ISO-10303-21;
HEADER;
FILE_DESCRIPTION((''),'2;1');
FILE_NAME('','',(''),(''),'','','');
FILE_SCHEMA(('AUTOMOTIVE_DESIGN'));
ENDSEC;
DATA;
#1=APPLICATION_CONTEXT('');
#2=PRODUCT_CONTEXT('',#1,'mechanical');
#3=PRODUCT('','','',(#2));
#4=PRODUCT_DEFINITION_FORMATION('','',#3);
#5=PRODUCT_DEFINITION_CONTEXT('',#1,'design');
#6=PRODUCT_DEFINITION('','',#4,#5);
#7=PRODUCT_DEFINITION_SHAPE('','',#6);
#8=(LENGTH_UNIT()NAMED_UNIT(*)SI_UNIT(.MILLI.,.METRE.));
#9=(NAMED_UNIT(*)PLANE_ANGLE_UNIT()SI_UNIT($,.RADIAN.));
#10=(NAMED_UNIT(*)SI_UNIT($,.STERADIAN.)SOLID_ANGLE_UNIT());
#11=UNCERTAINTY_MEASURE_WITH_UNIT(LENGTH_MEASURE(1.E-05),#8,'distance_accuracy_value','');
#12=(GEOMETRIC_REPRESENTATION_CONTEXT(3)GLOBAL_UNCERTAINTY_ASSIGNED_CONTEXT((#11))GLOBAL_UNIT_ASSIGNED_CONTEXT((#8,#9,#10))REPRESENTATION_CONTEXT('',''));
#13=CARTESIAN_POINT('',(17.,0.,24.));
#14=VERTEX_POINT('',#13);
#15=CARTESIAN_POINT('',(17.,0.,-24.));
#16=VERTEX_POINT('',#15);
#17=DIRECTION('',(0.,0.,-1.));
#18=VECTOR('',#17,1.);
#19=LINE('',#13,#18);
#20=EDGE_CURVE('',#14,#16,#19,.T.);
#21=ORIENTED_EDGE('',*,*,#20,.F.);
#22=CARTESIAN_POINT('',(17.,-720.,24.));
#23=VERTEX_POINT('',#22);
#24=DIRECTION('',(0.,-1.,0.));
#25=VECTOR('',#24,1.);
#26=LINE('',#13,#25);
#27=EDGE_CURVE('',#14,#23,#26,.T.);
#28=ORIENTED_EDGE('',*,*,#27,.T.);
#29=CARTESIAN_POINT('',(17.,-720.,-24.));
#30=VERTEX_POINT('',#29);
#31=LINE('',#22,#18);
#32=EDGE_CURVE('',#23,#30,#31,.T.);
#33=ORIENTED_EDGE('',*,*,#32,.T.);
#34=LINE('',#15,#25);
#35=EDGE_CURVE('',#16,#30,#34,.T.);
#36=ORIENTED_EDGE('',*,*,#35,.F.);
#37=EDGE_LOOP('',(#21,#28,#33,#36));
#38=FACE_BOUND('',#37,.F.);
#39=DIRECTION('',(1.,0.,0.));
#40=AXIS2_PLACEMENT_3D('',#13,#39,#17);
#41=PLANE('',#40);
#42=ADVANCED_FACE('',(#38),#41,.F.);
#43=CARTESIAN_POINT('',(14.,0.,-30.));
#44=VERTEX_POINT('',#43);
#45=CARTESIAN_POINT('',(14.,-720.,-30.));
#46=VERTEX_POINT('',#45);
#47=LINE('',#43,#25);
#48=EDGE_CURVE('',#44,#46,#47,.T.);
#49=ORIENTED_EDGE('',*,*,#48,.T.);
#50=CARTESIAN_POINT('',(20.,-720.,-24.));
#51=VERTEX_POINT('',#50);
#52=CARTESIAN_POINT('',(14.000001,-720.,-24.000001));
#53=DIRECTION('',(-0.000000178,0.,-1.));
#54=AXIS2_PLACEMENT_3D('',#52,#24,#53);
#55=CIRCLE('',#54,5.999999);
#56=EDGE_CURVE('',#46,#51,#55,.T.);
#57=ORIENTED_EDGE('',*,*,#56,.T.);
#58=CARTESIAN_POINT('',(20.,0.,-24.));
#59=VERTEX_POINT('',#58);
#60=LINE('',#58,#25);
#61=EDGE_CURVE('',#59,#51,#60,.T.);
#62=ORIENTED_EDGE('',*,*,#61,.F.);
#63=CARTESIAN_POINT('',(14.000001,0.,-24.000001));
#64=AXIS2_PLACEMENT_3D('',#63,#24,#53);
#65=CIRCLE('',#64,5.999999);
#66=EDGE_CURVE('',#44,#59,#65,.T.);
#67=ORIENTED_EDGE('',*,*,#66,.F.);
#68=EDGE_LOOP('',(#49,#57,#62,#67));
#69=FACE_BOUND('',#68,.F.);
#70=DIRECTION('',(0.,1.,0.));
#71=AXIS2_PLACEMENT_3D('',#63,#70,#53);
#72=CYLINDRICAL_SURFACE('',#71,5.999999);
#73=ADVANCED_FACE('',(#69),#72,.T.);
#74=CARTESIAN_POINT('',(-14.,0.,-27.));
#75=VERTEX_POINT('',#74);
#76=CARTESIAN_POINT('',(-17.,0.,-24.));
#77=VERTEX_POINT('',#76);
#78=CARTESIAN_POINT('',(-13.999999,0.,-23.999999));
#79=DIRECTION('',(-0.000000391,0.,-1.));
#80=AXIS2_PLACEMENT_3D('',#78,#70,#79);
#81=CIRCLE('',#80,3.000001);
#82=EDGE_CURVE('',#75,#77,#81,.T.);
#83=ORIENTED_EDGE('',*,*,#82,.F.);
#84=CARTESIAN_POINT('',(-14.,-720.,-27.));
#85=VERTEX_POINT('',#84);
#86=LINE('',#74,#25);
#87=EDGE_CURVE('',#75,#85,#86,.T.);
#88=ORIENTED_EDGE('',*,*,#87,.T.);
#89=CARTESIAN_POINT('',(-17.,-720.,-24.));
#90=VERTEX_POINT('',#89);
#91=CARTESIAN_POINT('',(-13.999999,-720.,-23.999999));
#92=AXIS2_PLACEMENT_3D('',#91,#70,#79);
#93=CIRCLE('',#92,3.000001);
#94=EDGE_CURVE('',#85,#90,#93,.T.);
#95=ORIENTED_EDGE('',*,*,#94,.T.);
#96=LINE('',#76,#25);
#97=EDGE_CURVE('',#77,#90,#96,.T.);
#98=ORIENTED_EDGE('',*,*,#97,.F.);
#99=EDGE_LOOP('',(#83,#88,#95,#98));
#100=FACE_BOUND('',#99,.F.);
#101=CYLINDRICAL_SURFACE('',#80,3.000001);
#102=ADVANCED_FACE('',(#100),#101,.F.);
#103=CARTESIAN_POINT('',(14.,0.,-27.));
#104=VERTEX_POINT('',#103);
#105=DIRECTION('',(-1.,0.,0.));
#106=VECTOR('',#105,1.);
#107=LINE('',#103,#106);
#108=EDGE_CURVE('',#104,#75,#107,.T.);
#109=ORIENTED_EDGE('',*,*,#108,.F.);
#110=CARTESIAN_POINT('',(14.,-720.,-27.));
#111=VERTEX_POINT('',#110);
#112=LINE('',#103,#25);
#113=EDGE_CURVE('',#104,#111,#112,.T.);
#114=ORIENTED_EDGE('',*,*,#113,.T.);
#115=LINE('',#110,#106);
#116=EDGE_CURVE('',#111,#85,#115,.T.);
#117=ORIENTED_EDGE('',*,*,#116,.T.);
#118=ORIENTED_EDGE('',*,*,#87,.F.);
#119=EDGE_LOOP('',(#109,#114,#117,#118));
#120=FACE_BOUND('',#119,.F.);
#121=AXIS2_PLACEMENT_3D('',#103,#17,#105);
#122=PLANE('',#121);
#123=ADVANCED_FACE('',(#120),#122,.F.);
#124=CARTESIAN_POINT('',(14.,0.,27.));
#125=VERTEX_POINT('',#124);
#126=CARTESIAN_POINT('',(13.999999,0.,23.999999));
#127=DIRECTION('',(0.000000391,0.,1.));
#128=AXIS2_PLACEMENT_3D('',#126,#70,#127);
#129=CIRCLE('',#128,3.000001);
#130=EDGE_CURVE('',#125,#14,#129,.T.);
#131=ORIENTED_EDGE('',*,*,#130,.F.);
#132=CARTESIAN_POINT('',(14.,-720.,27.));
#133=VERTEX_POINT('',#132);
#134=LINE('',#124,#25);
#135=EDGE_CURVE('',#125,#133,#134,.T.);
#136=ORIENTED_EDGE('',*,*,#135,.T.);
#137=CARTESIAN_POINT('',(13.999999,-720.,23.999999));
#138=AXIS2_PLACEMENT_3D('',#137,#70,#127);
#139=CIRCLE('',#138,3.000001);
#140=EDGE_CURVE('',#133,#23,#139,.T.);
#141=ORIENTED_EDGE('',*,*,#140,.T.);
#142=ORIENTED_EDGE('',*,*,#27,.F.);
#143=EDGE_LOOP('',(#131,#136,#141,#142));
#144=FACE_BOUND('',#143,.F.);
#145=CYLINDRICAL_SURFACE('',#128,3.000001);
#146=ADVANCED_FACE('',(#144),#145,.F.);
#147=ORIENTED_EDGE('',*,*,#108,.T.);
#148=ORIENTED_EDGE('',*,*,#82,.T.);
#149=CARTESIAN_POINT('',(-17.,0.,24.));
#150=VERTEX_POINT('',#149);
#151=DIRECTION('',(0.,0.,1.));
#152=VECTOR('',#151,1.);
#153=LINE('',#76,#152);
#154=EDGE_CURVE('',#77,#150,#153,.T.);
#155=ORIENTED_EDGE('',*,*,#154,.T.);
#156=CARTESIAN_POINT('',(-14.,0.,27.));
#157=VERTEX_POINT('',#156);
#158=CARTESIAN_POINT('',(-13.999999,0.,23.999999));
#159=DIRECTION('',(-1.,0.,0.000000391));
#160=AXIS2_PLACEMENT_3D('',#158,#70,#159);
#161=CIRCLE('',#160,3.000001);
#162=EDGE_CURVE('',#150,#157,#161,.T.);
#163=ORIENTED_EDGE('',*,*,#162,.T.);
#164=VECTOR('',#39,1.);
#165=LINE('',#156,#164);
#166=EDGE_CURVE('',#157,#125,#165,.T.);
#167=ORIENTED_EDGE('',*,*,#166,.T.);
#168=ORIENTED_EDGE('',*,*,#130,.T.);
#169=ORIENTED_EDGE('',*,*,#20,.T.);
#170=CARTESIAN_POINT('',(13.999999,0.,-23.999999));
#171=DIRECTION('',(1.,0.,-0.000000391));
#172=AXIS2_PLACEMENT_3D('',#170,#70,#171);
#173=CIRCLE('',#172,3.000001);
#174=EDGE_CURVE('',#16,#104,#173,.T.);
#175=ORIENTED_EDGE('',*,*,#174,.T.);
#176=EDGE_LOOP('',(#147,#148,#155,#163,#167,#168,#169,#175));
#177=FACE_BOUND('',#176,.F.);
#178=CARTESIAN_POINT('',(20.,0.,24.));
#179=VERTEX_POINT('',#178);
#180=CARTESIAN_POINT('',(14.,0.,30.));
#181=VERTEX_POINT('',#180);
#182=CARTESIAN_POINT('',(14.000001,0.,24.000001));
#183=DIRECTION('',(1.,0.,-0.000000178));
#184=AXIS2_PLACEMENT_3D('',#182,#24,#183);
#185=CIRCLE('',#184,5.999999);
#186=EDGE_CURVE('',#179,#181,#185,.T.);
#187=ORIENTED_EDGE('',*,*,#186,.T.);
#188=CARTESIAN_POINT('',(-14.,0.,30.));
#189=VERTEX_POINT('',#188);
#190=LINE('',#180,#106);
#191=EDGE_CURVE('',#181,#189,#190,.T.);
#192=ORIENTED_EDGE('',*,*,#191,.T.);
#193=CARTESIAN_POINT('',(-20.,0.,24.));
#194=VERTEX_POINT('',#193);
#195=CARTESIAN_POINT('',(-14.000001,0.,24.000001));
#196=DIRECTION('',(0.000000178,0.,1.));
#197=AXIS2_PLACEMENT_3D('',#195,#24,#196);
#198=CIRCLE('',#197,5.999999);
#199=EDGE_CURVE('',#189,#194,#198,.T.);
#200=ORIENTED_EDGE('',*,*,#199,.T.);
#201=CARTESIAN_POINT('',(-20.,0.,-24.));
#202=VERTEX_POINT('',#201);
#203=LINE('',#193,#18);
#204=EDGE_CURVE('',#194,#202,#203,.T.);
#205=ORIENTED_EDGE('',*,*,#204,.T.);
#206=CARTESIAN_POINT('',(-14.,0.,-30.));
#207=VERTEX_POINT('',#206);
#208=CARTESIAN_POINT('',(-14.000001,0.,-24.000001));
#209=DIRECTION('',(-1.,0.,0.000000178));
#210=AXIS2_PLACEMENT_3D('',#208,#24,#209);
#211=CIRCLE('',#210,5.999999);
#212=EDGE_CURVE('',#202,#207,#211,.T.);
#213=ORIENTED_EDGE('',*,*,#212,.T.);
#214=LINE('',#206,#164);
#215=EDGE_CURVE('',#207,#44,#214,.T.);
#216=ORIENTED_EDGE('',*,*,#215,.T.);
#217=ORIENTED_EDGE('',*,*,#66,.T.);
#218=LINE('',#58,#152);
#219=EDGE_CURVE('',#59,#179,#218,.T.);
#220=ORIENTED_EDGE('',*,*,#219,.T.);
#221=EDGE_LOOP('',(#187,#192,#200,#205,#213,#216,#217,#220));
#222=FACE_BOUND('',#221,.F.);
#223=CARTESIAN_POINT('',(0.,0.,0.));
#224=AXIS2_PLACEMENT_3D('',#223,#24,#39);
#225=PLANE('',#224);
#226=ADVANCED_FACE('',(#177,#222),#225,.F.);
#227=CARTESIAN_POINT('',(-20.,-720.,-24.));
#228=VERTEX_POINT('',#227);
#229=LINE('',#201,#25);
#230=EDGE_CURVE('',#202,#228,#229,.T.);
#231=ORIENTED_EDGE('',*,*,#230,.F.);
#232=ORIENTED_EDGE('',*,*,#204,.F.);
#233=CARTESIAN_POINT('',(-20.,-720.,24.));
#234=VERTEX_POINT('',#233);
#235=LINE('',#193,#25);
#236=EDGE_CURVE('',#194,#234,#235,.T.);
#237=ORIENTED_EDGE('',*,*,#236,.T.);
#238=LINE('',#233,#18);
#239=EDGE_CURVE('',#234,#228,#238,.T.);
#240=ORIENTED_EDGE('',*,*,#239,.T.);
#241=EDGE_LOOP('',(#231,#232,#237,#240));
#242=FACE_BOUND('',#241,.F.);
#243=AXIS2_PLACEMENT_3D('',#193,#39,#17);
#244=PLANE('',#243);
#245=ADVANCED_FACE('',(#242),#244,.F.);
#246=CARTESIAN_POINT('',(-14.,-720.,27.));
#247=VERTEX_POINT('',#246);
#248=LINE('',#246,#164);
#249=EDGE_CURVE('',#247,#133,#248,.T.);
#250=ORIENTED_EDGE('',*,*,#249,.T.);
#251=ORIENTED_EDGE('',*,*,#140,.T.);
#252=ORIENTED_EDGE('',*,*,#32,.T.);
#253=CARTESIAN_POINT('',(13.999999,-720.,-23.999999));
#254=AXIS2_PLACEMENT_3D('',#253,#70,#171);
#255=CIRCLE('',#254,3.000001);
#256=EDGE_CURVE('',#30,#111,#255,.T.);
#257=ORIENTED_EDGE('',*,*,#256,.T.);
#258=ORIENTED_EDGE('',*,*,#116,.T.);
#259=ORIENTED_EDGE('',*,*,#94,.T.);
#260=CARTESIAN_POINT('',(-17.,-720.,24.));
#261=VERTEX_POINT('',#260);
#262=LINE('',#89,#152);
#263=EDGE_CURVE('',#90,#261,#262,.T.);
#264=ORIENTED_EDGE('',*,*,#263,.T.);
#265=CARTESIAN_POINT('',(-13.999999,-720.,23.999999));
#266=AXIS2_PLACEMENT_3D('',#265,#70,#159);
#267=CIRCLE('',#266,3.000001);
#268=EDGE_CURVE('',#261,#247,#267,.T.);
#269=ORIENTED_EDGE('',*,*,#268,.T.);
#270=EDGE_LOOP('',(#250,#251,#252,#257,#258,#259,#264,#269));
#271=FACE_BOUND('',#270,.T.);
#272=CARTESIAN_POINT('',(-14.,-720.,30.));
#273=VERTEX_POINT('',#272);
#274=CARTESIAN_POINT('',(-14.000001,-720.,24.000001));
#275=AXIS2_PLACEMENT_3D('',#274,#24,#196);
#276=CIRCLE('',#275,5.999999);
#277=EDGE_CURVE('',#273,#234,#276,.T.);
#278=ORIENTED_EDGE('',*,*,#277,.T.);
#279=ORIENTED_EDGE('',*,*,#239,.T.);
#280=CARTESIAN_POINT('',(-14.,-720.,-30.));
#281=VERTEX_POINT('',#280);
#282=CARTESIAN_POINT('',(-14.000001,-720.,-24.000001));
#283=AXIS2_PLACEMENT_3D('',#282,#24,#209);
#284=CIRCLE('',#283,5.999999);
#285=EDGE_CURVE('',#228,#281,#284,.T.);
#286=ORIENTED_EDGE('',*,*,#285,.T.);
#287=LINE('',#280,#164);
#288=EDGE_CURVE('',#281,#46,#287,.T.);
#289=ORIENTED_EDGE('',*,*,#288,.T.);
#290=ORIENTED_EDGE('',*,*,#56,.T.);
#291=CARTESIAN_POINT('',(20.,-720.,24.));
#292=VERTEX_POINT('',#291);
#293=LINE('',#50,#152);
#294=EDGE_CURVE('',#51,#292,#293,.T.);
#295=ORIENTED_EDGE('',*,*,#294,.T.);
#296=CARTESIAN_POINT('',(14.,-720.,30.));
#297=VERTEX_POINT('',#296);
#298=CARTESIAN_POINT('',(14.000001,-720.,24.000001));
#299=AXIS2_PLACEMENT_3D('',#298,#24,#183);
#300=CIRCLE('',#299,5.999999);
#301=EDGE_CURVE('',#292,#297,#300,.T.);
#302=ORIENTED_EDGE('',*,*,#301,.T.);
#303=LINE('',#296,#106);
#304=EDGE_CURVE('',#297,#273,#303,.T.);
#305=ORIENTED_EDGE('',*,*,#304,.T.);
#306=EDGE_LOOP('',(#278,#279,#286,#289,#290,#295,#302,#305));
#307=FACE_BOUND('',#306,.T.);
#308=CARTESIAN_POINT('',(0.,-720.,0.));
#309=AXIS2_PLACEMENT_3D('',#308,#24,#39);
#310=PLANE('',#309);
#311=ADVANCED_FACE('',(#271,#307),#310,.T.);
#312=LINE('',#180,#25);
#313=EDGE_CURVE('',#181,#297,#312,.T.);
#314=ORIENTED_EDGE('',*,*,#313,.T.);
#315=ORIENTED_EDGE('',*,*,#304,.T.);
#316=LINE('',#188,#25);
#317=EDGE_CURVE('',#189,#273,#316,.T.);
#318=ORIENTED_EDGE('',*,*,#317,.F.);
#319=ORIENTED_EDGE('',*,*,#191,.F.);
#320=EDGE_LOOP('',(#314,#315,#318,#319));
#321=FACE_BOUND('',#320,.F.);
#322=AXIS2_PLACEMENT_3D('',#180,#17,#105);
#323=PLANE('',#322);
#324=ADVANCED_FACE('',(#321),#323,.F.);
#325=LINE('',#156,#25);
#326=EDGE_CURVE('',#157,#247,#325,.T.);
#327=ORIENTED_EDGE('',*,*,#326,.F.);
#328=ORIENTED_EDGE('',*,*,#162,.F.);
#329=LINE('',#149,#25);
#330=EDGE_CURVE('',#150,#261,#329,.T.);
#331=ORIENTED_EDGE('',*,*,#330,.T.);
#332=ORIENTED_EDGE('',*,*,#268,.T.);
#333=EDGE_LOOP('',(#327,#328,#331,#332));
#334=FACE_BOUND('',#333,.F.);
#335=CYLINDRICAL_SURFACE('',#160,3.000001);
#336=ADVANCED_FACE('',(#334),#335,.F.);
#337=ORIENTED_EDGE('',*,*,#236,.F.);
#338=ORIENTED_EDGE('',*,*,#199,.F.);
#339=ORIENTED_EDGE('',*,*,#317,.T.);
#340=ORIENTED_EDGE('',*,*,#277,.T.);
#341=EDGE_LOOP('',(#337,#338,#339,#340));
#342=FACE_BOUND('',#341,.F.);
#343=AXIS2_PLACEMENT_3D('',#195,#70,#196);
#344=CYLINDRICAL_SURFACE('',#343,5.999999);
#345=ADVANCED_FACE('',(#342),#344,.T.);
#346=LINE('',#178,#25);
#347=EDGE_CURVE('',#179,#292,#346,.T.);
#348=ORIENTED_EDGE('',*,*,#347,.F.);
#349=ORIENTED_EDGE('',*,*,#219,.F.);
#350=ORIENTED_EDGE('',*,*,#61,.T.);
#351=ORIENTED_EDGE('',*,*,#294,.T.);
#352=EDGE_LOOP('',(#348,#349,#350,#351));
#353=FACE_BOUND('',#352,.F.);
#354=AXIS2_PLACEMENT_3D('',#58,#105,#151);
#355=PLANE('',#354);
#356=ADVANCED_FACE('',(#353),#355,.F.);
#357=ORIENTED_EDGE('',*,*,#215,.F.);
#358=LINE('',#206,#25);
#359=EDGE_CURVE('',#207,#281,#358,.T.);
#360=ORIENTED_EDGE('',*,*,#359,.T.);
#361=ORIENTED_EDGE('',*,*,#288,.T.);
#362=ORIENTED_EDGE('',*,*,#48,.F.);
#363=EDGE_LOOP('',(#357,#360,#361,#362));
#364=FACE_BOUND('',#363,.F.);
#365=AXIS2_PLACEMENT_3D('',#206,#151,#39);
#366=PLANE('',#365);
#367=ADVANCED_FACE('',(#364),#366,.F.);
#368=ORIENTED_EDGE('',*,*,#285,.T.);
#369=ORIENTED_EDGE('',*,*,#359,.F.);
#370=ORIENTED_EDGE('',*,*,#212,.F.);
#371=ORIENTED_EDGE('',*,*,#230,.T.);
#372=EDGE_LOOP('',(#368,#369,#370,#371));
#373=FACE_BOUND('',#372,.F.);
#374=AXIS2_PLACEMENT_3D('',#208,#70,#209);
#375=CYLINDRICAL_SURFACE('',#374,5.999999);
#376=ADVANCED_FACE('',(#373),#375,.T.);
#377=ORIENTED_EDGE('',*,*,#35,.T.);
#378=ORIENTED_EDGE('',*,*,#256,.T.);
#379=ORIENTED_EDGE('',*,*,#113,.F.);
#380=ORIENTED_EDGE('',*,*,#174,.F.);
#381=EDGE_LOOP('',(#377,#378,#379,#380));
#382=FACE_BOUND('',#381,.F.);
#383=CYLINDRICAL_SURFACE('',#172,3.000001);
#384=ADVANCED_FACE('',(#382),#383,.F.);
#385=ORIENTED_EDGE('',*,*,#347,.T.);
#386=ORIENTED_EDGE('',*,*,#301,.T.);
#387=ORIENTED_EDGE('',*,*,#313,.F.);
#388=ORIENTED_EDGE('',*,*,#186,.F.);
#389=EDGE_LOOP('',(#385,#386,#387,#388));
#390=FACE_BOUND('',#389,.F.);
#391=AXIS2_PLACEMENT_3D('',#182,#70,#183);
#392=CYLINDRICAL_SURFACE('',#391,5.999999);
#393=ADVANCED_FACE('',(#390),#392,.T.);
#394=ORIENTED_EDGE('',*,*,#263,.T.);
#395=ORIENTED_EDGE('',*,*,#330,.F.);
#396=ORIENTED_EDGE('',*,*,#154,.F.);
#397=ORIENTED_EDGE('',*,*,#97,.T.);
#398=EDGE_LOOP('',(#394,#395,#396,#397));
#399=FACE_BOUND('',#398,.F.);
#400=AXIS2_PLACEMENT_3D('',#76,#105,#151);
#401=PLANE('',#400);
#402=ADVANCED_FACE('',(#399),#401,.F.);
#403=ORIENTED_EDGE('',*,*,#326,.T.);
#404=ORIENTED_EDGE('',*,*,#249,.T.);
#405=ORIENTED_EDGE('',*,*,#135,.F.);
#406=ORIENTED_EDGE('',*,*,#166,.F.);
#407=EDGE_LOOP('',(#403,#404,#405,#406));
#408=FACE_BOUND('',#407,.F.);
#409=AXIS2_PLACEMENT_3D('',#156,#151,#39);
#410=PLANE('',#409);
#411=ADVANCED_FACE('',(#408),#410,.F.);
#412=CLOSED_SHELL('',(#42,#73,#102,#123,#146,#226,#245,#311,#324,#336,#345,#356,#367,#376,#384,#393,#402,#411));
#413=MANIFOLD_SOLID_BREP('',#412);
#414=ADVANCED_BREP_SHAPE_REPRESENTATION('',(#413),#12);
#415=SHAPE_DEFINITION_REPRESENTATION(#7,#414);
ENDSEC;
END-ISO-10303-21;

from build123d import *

# Parameters (mm, degrees)
F1_DEPTH = 720


with BuildPart() as f1:
    # F0 (on Front) → F1 (new body)
    with BuildSketch(Plane.XZ):
        with BuildLine():
            Line((14, 30), (-14, 30))
            ThreePointArc((-14, 30), (-18.242641, 28.242641), (-20, 24))
            Line((-20, 24), (-20, -24))
            ThreePointArc((-20, -24), (-18.242641, -28.242641), (-14, -30))
            Line((-14, -30), (14, -30))
            ThreePointArc((14, -30), (18.242641, -28.242641), (20, -24))
            Line((20, -24), (20, 24))
            ThreePointArc((20, 24), (18.242641, 28.242641), (14, 30))
        make_face()
        with BuildLine():
            Line((-17, -24), (-17, 24))
            ThreePointArc((-17, 24), (-16.12132, 26.12132), (-14, 27))
            Line((-14, 27), (14, 27))
            ThreePointArc((14, 27), (16.12132, 26.12132), (17, 24))
            Line((17, 24), (17, -24))
            ThreePointArc((17, -24), (16.12132, -26.12132), (14, -27))
            Line((14, -27), (-14, -27))
            ThreePointArc((-14, -27), (-16.12132, -26.12132), (-17, -24))
        make_face(mode=Mode.SUBTRACT)
    extrude(amount=F1_DEPTH)


solid = f1.part
